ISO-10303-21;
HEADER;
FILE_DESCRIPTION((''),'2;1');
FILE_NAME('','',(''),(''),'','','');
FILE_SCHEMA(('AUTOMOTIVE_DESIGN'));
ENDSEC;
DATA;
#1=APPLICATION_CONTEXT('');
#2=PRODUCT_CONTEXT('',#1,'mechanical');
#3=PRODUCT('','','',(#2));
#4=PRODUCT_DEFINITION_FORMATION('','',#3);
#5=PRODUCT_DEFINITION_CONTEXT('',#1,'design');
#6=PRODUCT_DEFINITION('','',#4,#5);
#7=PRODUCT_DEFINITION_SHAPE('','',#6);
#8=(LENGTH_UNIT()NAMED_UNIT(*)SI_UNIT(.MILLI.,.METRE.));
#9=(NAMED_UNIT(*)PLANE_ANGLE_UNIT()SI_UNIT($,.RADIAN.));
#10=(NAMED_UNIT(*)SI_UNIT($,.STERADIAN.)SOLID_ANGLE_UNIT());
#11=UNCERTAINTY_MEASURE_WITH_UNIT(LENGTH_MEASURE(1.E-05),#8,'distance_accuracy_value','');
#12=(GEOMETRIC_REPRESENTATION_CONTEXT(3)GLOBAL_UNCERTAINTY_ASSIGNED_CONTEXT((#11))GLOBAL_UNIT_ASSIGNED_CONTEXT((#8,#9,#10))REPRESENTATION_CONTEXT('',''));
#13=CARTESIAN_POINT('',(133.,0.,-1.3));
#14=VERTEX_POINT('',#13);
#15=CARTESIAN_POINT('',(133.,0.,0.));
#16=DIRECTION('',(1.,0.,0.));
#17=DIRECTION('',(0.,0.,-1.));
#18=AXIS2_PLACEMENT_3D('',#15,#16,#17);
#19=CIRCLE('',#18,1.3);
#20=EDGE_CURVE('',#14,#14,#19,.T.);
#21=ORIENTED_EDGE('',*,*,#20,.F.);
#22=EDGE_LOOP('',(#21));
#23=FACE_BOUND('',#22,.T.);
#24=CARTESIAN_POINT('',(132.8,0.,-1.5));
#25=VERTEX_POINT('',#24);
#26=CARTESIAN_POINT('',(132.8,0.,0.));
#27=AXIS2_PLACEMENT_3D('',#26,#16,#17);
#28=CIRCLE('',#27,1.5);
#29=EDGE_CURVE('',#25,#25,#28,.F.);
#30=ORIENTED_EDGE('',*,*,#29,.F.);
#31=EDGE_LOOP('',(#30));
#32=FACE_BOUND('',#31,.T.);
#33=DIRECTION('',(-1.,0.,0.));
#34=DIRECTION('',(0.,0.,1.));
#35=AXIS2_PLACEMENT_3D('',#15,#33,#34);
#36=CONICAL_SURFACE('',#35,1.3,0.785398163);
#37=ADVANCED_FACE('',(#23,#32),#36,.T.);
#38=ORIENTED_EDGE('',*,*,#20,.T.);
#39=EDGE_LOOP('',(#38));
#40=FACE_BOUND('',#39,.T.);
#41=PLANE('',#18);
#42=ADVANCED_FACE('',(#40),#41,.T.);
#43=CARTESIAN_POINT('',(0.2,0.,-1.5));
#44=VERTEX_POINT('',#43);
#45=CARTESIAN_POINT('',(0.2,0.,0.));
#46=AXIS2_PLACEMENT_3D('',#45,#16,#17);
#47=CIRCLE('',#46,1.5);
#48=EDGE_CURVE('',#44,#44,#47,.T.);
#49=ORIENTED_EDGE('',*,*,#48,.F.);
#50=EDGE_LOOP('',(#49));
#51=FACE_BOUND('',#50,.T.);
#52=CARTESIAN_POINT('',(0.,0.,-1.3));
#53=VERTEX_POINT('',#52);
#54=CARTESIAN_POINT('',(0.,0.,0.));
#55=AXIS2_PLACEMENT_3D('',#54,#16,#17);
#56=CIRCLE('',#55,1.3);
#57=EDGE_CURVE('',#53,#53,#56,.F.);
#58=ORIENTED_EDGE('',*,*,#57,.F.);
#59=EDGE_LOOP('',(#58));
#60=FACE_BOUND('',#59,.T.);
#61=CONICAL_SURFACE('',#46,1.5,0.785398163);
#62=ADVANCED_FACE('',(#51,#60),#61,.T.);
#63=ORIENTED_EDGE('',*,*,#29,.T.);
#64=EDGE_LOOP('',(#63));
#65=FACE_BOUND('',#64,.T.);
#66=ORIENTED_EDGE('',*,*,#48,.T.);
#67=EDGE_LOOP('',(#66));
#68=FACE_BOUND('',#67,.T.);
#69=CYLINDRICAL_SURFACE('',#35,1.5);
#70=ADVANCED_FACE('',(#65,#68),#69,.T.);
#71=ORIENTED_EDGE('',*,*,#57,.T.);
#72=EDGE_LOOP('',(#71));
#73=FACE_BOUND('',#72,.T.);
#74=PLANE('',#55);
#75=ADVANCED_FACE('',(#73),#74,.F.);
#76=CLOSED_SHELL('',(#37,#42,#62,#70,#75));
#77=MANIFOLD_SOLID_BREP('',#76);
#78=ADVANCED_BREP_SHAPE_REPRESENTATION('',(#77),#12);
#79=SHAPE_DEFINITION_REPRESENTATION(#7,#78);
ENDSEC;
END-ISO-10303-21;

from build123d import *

# Parameters (mm, degrees)
ESQUISSE1_R        = 1.5
BOSS_EXTRU_1_DEPTH = 133
CHANFREIN1_SIZE    = 0.2


with BuildPart() as part:
    # Esquisse1 → Boss.-Extru.1 (new body)
    with BuildSketch(Plane(origin=(0, 0, 0), x_dir=(0, 0, -1), z_dir=(1, 0, 0))):
        Circle(ESQUISSE1_R)
    extrude(amount=BOSS_EXTRU_1_DEPTH)

    # Chanfrein1
    chanfrein1_edges = [part.edges().sort_by_distance(p)[0] for p in [
        (0, 0, 1.5),
        (133, 0, 1.5),
    ]]
    chamfer(chanfrein1_edges, length=CHANFREIN1_SIZE)


solid = part.part
